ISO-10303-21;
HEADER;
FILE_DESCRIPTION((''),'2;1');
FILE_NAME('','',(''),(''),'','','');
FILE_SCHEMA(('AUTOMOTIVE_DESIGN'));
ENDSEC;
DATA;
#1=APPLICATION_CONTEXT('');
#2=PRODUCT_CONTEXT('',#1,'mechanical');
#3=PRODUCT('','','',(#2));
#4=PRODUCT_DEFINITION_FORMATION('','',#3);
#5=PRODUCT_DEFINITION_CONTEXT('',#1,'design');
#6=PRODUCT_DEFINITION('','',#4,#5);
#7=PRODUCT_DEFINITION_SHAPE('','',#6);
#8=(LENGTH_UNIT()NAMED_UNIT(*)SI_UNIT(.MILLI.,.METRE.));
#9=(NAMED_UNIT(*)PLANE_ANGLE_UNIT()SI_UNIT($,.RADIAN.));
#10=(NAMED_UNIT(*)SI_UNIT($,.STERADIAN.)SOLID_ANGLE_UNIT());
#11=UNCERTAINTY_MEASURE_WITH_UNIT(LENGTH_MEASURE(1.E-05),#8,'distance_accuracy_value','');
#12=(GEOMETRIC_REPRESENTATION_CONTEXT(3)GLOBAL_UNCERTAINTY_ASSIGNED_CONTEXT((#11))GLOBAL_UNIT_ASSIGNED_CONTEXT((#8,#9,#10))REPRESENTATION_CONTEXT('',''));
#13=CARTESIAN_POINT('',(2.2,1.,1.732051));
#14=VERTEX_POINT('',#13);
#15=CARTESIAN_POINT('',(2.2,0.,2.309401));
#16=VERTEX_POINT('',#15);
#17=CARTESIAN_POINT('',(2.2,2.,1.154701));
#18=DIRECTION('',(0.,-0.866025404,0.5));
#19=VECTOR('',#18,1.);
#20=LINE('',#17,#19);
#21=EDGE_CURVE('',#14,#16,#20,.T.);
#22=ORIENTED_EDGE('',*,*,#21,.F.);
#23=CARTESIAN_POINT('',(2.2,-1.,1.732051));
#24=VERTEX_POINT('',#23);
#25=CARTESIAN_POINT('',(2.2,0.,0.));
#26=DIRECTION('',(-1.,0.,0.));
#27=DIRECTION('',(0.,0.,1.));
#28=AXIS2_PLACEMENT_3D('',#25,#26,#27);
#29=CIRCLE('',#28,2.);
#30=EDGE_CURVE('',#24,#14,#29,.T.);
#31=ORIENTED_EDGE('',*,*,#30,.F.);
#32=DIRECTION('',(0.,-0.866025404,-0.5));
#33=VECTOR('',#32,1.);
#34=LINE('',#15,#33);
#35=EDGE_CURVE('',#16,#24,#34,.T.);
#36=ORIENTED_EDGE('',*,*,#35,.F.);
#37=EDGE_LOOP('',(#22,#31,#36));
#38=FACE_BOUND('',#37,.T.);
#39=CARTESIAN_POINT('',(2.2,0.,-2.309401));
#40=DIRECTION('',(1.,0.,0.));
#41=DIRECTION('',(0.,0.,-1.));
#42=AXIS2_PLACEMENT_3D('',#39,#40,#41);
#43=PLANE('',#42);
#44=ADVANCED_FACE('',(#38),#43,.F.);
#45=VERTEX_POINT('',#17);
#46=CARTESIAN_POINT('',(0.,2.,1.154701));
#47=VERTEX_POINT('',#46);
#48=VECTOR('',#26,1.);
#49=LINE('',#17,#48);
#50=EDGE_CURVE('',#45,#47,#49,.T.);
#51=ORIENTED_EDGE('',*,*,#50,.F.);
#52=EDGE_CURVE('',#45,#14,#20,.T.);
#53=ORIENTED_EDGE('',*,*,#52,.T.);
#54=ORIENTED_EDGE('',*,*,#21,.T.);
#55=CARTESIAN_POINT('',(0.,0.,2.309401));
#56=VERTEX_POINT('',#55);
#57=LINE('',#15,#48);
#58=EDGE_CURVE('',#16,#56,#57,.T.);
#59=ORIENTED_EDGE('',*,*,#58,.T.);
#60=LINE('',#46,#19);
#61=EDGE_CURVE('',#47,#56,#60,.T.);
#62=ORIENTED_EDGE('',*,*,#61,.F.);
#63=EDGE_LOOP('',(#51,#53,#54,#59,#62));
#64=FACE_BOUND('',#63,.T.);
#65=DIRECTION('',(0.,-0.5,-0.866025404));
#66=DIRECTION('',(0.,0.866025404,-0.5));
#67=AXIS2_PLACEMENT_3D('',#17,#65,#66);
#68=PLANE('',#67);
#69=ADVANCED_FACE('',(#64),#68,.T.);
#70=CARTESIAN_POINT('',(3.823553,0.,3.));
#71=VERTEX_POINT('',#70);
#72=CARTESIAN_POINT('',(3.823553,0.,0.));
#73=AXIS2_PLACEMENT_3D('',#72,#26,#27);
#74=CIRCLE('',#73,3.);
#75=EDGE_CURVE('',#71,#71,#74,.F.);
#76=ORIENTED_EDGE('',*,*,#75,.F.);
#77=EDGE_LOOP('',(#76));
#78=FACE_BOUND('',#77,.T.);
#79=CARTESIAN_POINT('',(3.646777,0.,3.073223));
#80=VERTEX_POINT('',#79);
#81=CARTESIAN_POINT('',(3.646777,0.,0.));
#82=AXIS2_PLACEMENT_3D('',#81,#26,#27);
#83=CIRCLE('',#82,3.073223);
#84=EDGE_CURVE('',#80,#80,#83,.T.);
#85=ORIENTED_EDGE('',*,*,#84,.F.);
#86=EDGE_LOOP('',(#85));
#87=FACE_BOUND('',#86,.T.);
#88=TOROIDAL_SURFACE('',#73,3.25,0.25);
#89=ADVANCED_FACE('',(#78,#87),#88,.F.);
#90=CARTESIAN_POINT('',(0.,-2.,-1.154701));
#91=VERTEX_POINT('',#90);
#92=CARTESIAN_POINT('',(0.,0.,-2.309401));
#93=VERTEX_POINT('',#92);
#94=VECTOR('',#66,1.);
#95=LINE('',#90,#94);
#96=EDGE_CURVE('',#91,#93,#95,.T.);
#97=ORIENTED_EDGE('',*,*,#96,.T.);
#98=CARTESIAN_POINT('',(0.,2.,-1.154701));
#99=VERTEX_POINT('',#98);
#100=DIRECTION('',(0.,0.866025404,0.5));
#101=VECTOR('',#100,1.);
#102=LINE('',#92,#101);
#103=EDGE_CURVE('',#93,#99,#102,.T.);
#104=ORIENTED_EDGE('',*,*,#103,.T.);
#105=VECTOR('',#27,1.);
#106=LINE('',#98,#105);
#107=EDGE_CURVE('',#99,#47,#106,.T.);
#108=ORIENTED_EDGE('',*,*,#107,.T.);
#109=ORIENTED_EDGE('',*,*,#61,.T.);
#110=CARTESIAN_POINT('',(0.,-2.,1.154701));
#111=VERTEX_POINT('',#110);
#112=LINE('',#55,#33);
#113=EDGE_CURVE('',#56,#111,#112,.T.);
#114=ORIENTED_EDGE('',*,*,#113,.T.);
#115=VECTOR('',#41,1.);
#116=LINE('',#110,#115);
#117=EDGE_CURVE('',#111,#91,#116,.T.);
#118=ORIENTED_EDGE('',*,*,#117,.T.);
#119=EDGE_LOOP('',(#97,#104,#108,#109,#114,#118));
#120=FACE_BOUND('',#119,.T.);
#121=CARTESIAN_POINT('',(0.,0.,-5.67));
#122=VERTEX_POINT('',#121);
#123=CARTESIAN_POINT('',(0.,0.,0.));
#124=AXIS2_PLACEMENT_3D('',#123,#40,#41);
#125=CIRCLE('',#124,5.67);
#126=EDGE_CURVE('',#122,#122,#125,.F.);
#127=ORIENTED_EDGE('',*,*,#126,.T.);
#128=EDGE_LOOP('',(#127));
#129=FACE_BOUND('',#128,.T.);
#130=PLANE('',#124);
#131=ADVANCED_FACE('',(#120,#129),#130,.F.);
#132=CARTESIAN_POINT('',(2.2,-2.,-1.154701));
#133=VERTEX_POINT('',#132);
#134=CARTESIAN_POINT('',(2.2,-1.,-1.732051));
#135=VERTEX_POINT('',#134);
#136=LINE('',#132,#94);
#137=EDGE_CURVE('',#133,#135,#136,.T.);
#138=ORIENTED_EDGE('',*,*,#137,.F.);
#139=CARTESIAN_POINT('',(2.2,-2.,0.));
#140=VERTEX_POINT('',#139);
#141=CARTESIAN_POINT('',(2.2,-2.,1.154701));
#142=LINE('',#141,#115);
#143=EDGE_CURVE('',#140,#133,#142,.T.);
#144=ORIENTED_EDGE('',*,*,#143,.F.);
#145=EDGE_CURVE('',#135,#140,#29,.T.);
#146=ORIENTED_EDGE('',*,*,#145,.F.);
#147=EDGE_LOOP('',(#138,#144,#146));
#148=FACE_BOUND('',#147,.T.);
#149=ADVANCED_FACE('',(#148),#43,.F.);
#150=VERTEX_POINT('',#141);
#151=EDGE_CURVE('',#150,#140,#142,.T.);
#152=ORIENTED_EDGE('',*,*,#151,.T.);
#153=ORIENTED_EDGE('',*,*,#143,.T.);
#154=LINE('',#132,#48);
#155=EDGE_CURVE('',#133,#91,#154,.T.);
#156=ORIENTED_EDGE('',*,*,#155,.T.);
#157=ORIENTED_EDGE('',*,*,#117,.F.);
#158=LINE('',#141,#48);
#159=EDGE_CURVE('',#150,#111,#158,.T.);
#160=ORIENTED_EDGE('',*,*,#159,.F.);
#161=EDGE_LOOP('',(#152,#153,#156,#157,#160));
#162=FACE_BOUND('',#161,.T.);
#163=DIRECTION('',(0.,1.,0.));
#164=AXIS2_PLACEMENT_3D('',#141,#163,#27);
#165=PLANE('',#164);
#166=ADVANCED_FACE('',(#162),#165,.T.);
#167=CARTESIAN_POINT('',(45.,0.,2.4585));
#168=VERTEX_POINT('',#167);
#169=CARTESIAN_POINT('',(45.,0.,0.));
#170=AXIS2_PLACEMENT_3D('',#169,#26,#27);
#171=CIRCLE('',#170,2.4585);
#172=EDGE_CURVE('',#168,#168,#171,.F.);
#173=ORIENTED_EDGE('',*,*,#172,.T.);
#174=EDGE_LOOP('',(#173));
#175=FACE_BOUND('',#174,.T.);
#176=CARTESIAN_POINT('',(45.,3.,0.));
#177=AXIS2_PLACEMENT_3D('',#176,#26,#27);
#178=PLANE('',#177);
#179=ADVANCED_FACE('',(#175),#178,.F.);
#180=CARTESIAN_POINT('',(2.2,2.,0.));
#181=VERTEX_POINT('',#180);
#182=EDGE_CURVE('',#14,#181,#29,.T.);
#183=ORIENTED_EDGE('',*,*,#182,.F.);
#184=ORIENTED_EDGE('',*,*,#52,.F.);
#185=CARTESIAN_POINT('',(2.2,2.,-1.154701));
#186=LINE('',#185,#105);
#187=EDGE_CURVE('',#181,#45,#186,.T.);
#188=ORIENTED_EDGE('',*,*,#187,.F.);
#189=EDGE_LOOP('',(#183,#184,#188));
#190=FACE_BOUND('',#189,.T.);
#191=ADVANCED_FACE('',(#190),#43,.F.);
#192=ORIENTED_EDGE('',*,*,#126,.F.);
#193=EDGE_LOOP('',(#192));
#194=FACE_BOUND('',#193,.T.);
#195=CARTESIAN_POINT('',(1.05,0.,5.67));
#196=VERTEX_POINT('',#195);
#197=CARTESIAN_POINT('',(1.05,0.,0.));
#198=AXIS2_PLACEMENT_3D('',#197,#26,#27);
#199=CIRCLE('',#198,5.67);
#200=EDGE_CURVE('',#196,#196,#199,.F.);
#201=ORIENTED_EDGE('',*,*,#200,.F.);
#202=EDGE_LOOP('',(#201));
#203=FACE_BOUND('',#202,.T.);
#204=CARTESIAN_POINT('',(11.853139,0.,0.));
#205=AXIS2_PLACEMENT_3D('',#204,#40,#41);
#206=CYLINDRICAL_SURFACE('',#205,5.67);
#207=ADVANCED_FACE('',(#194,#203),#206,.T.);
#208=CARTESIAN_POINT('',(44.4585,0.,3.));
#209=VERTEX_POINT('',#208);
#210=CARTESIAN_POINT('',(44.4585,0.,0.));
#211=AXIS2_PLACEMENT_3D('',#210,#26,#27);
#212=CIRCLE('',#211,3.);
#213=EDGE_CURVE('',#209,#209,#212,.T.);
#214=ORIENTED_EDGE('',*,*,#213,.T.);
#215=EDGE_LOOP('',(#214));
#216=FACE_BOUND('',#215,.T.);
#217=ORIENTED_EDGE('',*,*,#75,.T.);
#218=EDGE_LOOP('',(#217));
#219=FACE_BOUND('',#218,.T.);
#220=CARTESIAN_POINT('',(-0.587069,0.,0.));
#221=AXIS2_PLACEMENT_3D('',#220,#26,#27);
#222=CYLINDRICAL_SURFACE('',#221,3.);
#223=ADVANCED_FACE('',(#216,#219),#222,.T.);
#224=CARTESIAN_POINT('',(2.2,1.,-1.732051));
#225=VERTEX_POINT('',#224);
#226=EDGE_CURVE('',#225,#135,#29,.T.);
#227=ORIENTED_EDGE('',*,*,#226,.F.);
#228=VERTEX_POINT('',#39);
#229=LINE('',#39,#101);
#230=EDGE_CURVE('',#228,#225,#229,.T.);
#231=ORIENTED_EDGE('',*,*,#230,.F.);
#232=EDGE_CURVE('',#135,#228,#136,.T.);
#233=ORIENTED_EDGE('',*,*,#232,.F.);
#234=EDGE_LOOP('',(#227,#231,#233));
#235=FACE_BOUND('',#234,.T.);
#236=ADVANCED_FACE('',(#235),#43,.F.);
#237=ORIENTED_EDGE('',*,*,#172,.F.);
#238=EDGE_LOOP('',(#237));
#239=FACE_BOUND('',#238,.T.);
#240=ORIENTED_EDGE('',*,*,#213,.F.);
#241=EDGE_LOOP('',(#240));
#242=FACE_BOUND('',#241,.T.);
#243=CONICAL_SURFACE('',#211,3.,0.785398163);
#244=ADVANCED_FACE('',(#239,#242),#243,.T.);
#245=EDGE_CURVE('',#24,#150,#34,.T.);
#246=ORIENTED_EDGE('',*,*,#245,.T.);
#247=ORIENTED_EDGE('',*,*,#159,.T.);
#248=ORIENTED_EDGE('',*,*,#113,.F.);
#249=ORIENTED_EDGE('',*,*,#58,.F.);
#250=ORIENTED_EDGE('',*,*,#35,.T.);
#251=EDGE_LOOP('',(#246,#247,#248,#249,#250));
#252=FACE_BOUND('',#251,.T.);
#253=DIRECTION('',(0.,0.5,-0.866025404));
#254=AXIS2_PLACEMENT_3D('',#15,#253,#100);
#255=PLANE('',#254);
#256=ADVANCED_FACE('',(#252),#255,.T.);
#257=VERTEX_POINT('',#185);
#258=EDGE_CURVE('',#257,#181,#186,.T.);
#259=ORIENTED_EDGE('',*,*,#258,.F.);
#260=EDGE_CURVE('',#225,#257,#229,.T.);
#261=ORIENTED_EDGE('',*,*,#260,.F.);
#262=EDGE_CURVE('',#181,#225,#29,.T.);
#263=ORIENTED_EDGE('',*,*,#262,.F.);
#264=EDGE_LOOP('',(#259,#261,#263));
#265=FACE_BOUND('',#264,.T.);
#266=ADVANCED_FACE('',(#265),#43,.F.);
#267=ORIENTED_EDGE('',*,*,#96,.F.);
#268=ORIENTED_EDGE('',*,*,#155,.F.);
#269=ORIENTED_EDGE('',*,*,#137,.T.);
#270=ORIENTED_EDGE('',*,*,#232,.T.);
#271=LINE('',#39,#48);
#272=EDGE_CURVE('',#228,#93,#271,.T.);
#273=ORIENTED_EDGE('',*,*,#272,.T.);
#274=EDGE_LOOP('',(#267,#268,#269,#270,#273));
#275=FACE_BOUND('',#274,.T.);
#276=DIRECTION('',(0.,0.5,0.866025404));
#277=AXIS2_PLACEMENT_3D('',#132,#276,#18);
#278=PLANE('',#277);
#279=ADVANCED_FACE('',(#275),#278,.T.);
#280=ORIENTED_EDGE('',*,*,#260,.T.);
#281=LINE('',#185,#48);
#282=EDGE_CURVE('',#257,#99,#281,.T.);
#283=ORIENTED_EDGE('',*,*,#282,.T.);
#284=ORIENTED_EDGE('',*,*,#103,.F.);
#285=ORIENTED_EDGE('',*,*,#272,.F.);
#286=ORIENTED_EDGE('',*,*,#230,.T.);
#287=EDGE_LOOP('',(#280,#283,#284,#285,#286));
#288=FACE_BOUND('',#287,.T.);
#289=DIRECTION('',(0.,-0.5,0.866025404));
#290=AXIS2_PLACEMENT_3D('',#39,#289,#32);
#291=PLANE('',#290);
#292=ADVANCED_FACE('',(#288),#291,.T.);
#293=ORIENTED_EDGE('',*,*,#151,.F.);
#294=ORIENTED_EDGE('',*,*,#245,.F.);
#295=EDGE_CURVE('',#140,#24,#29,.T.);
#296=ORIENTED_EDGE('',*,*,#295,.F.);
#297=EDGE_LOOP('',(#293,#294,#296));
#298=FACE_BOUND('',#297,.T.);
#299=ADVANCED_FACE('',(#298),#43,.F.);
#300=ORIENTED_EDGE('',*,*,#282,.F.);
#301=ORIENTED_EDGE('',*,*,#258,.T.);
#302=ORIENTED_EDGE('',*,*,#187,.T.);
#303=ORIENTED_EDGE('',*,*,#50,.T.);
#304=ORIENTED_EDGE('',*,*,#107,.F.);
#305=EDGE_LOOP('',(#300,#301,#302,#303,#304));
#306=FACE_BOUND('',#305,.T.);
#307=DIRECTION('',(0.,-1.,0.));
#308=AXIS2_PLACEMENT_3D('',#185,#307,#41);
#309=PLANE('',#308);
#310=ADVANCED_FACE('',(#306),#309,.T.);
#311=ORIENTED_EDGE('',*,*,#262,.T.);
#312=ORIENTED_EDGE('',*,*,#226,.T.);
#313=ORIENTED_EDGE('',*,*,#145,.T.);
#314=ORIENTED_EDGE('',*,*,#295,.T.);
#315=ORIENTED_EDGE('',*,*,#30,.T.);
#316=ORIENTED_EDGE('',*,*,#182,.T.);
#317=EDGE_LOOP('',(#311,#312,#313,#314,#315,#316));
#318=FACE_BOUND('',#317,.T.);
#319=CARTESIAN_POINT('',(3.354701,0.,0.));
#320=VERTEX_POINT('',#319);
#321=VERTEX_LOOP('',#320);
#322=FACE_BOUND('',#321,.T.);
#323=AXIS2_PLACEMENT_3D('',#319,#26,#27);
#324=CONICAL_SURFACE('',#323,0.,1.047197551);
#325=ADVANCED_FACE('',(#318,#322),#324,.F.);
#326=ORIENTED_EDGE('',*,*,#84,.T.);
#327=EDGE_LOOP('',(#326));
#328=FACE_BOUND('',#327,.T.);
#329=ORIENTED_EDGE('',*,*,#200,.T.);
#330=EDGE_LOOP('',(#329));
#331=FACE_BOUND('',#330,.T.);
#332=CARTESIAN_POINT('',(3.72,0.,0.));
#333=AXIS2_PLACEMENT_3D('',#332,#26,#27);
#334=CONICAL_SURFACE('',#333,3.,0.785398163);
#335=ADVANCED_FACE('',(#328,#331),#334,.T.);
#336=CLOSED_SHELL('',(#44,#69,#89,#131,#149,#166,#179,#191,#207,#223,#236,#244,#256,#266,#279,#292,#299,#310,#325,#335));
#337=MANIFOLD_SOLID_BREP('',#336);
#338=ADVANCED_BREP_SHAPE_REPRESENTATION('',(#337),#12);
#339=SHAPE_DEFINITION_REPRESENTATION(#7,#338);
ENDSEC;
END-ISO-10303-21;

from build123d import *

# Parameters (mm, degrees)
HEXAGONSOCKET_DEPTH = 2.2
HEADFILLET_R        = 0.25
CHAMFER_2_SIZE      = 0.5415
SKETCH4_W           = 5
SKETCH4_H           = 5


with BuildPart() as part:
    # Sketch1 → Base (revolve)
    with BuildSketch(Plane.XY, mode=Mode.PRIVATE) as base_sk:
        Polygon((0, 0), (0, 6.72), (3.72, 3), (45, 3), (45, 0), align=None)
    revolve(base_sk.sketch.rotate(Axis((-0.587069181, 0, 0), (1, 0, 0)), 90), axis=Axis((-0.587069181, 0, 0), (1, 0, 0)))

    # Sketch2 → HexagonSocket (cut)
    with BuildSketch(Plane(origin=(0, 0, 0), x_dir=(0, 0, -1), z_dir=(1, 0, 0))):
        Polygon((2.309401077, 0), (1.154700538, 2), (-1.154700538, 2), (-2.309401077, 0), (-1.154700538, -2), (1.154700538, -2), align=None)
    extrude(amount=HEXAGONSOCKET_DEPTH, mode=Mode.SUBTRACT)

    # Sketch3 → Cut-Revolve1 (revolve, cut)
    with BuildSketch(Plane.XY, mode=Mode.PRIVATE) as cut_revolve1_sk:
        Polygon((2.2, 2), (3.354700538, 0), (2.2, 0), align=None)
    revolve(cut_revolve1_sk.sketch.rotate(Axis((-0.439109555, 0, 0), (1, 0, 0)), 90), axis=Axis((-0.439109555, 0, 0), (1, 0, 0)), mode=Mode.SUBTRACT)

    # HeadFillet
    headfillet_edges = [part.edges().sort_by_distance(p)[0] for p in [
        (3.72, 0, -3),
    ]]
    fillet(headfillet_edges, radius=HEADFILLET_R)

    # Chamfer 2
    chamfer_2_edges = [part.edges().sort_by_distance(p)[0] for p in [
        (45, 0, -3),
    ]]
    chamfer(chamfer_2_edges, length=CHAMFER_2_SIZE)

    # Sketch4 → Cut-Revolve2 (revolve, cut)
    with BuildSketch(Plane(origin=(0, 0, 0), x_dir=(1, 0, 0), z_dir=(0, 1, 0)), mode=Mode.PRIVATE) as cut_revolve2_sk:
        with Locations((0.5, 8.17)):
            Rectangle(SKETCH4_W, SKETCH4_H)
    revolve(cut_revolve2_sk.sketch.rotate(Axis((11.853138686, 0, 0), (-1, 0, 0)), 180), axis=Axis((11.853138686, 0, 0), (-1, 0, 0)), mode=Mode.SUBTRACT)


solid = part.part
